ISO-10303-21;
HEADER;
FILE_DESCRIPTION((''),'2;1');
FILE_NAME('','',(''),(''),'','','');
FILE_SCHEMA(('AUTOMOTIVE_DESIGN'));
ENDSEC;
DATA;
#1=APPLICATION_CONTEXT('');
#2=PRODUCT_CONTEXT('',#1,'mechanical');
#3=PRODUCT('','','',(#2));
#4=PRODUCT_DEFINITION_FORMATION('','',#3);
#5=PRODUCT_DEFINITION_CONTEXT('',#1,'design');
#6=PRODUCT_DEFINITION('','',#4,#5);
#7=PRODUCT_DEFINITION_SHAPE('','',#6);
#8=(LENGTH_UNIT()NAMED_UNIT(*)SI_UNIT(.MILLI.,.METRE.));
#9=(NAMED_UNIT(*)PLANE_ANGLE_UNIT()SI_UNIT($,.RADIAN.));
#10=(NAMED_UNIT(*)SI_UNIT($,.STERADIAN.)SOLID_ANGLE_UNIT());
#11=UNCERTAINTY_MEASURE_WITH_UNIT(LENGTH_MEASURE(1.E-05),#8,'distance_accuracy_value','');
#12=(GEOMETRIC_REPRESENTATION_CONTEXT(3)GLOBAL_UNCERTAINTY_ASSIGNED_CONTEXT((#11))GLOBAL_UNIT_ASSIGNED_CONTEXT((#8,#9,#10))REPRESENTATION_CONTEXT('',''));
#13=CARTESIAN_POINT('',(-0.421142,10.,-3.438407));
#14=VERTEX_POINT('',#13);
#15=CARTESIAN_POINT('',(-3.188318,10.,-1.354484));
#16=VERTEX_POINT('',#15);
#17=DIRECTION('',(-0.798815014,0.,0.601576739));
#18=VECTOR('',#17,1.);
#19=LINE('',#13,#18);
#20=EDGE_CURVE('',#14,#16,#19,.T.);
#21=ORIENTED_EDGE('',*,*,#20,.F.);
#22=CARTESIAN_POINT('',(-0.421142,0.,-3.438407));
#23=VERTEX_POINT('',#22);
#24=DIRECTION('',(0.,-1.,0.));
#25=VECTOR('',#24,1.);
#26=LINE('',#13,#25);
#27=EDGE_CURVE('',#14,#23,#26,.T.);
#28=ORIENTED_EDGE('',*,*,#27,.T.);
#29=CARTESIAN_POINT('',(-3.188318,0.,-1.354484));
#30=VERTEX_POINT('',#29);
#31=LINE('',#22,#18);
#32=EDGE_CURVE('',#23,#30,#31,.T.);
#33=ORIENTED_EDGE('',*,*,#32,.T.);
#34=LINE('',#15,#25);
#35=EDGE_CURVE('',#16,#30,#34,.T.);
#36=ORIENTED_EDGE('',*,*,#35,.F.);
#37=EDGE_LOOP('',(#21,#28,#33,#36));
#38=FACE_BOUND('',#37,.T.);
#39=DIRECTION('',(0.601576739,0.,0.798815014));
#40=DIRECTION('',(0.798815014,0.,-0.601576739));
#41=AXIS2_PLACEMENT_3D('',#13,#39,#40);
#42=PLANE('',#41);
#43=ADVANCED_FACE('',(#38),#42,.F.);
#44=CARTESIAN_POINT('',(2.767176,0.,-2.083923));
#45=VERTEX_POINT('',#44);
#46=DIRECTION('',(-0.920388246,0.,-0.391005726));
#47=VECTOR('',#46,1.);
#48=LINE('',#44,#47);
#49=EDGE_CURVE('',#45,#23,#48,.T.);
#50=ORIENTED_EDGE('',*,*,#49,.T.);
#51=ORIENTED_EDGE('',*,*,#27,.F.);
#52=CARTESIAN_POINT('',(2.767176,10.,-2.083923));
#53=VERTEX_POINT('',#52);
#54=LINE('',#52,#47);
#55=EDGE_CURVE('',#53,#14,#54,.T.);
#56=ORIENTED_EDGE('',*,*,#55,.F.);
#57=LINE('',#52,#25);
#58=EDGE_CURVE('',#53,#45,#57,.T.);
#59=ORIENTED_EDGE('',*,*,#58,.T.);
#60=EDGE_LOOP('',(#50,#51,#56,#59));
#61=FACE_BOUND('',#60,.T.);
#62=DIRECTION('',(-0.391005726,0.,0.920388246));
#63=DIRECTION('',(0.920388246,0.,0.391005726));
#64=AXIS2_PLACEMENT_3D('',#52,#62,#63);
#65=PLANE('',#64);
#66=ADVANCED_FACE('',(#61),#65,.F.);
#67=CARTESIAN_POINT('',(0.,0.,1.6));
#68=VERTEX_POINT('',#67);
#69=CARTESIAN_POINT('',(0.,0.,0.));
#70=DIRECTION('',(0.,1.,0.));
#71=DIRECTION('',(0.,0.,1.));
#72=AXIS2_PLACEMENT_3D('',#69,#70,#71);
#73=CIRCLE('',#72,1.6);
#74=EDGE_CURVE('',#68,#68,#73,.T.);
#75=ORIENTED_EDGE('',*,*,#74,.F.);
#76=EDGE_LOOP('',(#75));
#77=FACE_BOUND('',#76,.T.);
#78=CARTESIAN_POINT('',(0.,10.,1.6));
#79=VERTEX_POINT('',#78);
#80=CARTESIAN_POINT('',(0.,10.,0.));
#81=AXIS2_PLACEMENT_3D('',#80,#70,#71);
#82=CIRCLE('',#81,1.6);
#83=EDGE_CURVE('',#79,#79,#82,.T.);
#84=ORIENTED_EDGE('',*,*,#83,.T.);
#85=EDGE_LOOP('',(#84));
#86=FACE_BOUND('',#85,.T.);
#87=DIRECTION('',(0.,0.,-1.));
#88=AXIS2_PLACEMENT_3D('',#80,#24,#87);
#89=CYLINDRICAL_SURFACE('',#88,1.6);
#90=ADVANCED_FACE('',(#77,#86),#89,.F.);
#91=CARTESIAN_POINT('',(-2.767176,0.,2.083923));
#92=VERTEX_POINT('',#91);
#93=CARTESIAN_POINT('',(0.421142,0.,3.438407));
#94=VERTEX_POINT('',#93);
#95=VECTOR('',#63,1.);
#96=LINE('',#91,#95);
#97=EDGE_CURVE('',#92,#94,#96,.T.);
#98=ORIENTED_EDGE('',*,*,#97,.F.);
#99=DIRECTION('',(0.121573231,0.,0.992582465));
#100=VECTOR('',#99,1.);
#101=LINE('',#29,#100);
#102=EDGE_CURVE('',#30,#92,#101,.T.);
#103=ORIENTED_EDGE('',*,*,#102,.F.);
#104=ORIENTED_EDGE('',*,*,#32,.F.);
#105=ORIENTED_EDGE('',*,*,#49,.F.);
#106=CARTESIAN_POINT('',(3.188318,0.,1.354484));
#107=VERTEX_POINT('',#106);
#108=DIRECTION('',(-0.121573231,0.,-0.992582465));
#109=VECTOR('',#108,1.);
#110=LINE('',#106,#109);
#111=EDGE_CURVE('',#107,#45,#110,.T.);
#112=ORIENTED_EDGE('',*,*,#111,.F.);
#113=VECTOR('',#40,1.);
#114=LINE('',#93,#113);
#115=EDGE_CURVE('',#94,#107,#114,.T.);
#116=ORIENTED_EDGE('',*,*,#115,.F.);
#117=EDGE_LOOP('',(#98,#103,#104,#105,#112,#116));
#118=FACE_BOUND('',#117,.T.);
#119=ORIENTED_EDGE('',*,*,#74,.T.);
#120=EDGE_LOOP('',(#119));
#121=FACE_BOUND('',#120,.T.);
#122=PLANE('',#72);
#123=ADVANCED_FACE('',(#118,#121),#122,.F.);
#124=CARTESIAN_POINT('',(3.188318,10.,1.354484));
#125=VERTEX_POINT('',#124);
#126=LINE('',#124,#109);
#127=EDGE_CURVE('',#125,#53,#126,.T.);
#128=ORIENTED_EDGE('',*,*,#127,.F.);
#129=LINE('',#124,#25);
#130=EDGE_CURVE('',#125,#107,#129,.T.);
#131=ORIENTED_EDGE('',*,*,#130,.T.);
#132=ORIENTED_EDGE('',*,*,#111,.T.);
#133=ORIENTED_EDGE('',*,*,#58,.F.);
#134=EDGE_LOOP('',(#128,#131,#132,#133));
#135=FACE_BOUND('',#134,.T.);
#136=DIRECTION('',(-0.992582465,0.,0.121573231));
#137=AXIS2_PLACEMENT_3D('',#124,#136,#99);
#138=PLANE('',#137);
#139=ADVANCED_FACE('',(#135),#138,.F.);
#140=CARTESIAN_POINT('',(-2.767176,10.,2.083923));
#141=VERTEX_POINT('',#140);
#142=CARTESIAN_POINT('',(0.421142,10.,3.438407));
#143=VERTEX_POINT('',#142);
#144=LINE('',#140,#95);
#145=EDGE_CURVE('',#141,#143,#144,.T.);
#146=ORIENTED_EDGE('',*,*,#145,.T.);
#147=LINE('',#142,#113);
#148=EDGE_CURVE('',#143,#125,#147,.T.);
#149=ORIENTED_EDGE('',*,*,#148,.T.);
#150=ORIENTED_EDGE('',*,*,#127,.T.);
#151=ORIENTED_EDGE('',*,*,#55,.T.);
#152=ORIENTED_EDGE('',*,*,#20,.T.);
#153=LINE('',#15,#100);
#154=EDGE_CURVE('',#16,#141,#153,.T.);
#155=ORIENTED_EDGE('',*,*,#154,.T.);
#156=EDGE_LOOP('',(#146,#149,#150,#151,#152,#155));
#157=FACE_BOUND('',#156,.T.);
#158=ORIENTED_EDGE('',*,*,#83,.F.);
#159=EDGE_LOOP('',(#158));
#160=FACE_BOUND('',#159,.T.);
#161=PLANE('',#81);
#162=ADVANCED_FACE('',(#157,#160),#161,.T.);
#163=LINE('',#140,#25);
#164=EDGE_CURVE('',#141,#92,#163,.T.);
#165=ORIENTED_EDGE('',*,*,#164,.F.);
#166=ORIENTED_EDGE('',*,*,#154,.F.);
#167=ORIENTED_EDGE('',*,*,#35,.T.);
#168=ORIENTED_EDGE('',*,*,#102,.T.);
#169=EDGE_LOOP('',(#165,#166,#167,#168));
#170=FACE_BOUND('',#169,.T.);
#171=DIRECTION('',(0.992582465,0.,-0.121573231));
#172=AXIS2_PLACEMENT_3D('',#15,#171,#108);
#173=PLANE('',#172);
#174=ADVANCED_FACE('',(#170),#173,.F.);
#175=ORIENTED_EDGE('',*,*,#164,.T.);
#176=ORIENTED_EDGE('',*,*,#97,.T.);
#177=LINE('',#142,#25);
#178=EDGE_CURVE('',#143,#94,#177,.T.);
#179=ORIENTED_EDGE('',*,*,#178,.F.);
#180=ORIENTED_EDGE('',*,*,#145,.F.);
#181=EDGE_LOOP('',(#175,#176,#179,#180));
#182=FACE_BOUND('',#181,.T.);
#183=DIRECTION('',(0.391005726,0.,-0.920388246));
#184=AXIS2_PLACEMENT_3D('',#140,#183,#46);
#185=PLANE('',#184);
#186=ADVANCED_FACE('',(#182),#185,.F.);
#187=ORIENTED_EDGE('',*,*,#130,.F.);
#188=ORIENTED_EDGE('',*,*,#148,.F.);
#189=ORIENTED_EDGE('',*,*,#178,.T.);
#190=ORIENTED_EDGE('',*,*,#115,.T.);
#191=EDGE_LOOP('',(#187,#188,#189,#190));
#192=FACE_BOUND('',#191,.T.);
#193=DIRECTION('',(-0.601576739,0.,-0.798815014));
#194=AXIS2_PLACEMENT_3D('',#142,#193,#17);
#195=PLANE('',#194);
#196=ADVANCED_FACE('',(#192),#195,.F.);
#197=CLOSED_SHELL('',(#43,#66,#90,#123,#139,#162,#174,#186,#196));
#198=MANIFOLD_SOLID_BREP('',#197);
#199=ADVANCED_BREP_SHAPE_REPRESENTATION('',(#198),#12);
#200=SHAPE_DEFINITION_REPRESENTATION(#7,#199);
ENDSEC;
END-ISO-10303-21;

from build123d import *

# Parameters (mm, degrees)
SKETCH_1_R      = 1.6
EXTRUDE_1_DEPTH = 10


with BuildPart() as part:
    # 草图1 → 凸台-拉伸1 (new body)
    with BuildSketch(Plane(origin=(0, 0, 0), x_dir=(1, 0, 0), z_dir=(0, 1, 0))):
        Polygon((2.767176381, 2.083922954), (-0.421142027, 3.438406519), (-3.188318408, 1.354483566), (-2.767176381, -2.083922954), (0.421142027, -3.438406519), (3.188318408, -1.354483566), align=None)
        with Locations(Location((0, 0, 0), (0, 0, 270))):
            Circle(SKETCH_1_R, mode=Mode.SUBTRACT)
    extrude(amount=EXTRUDE_1_DEPTH)


solid = part.part
